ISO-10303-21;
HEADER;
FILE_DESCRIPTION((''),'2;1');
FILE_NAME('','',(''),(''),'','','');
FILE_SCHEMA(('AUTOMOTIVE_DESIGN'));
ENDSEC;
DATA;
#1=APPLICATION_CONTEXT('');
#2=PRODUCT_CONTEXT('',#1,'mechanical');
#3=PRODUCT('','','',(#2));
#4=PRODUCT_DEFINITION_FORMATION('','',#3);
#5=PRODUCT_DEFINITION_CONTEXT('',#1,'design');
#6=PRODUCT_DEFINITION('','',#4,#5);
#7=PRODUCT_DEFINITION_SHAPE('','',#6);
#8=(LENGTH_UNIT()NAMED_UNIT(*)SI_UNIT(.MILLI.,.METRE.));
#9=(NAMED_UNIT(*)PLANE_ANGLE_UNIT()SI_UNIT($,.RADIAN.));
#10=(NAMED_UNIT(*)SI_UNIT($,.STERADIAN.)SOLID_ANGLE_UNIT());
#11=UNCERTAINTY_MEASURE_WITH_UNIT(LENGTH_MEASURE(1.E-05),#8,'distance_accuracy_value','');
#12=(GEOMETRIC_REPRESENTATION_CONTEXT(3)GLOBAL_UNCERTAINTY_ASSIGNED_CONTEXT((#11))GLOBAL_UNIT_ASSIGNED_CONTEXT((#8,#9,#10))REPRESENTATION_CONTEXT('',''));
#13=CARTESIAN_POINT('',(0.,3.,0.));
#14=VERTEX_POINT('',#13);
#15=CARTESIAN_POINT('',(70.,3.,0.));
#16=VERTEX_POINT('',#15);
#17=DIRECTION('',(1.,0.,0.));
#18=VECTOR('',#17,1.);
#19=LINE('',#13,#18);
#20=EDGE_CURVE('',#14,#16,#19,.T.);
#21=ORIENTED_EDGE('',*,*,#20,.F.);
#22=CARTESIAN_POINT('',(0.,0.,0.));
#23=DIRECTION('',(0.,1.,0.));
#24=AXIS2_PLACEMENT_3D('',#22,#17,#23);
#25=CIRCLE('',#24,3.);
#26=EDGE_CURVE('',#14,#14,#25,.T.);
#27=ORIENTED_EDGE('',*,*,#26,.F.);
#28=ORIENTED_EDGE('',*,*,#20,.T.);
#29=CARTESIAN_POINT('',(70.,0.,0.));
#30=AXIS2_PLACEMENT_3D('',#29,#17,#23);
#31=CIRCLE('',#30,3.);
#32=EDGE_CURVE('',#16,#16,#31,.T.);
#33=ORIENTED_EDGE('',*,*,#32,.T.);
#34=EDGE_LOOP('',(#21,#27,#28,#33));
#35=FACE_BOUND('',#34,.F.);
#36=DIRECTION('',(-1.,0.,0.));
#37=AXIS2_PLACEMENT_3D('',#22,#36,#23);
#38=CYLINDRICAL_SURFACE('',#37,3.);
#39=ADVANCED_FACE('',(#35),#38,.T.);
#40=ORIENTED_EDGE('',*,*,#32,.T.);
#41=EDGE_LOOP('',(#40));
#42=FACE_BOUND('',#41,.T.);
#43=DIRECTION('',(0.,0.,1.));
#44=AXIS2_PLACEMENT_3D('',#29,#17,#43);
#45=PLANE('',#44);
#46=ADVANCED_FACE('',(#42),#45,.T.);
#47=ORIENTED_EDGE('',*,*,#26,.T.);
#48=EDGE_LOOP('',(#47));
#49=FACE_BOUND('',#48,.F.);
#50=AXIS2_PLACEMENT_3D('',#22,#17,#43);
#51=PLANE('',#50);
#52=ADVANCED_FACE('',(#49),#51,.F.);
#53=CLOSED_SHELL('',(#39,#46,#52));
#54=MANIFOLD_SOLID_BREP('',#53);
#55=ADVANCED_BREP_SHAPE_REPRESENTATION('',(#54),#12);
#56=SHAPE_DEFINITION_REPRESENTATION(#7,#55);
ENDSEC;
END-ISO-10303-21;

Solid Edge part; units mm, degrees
sketch "Sketch1" plane through (0, 0, 0) normal (1, 0, 0) x (0, 1, 0)
  circle A0 centre (0, 0) radius 3
extrude "Protrusion1" add sketch "Sketch1" along normal blind 70
